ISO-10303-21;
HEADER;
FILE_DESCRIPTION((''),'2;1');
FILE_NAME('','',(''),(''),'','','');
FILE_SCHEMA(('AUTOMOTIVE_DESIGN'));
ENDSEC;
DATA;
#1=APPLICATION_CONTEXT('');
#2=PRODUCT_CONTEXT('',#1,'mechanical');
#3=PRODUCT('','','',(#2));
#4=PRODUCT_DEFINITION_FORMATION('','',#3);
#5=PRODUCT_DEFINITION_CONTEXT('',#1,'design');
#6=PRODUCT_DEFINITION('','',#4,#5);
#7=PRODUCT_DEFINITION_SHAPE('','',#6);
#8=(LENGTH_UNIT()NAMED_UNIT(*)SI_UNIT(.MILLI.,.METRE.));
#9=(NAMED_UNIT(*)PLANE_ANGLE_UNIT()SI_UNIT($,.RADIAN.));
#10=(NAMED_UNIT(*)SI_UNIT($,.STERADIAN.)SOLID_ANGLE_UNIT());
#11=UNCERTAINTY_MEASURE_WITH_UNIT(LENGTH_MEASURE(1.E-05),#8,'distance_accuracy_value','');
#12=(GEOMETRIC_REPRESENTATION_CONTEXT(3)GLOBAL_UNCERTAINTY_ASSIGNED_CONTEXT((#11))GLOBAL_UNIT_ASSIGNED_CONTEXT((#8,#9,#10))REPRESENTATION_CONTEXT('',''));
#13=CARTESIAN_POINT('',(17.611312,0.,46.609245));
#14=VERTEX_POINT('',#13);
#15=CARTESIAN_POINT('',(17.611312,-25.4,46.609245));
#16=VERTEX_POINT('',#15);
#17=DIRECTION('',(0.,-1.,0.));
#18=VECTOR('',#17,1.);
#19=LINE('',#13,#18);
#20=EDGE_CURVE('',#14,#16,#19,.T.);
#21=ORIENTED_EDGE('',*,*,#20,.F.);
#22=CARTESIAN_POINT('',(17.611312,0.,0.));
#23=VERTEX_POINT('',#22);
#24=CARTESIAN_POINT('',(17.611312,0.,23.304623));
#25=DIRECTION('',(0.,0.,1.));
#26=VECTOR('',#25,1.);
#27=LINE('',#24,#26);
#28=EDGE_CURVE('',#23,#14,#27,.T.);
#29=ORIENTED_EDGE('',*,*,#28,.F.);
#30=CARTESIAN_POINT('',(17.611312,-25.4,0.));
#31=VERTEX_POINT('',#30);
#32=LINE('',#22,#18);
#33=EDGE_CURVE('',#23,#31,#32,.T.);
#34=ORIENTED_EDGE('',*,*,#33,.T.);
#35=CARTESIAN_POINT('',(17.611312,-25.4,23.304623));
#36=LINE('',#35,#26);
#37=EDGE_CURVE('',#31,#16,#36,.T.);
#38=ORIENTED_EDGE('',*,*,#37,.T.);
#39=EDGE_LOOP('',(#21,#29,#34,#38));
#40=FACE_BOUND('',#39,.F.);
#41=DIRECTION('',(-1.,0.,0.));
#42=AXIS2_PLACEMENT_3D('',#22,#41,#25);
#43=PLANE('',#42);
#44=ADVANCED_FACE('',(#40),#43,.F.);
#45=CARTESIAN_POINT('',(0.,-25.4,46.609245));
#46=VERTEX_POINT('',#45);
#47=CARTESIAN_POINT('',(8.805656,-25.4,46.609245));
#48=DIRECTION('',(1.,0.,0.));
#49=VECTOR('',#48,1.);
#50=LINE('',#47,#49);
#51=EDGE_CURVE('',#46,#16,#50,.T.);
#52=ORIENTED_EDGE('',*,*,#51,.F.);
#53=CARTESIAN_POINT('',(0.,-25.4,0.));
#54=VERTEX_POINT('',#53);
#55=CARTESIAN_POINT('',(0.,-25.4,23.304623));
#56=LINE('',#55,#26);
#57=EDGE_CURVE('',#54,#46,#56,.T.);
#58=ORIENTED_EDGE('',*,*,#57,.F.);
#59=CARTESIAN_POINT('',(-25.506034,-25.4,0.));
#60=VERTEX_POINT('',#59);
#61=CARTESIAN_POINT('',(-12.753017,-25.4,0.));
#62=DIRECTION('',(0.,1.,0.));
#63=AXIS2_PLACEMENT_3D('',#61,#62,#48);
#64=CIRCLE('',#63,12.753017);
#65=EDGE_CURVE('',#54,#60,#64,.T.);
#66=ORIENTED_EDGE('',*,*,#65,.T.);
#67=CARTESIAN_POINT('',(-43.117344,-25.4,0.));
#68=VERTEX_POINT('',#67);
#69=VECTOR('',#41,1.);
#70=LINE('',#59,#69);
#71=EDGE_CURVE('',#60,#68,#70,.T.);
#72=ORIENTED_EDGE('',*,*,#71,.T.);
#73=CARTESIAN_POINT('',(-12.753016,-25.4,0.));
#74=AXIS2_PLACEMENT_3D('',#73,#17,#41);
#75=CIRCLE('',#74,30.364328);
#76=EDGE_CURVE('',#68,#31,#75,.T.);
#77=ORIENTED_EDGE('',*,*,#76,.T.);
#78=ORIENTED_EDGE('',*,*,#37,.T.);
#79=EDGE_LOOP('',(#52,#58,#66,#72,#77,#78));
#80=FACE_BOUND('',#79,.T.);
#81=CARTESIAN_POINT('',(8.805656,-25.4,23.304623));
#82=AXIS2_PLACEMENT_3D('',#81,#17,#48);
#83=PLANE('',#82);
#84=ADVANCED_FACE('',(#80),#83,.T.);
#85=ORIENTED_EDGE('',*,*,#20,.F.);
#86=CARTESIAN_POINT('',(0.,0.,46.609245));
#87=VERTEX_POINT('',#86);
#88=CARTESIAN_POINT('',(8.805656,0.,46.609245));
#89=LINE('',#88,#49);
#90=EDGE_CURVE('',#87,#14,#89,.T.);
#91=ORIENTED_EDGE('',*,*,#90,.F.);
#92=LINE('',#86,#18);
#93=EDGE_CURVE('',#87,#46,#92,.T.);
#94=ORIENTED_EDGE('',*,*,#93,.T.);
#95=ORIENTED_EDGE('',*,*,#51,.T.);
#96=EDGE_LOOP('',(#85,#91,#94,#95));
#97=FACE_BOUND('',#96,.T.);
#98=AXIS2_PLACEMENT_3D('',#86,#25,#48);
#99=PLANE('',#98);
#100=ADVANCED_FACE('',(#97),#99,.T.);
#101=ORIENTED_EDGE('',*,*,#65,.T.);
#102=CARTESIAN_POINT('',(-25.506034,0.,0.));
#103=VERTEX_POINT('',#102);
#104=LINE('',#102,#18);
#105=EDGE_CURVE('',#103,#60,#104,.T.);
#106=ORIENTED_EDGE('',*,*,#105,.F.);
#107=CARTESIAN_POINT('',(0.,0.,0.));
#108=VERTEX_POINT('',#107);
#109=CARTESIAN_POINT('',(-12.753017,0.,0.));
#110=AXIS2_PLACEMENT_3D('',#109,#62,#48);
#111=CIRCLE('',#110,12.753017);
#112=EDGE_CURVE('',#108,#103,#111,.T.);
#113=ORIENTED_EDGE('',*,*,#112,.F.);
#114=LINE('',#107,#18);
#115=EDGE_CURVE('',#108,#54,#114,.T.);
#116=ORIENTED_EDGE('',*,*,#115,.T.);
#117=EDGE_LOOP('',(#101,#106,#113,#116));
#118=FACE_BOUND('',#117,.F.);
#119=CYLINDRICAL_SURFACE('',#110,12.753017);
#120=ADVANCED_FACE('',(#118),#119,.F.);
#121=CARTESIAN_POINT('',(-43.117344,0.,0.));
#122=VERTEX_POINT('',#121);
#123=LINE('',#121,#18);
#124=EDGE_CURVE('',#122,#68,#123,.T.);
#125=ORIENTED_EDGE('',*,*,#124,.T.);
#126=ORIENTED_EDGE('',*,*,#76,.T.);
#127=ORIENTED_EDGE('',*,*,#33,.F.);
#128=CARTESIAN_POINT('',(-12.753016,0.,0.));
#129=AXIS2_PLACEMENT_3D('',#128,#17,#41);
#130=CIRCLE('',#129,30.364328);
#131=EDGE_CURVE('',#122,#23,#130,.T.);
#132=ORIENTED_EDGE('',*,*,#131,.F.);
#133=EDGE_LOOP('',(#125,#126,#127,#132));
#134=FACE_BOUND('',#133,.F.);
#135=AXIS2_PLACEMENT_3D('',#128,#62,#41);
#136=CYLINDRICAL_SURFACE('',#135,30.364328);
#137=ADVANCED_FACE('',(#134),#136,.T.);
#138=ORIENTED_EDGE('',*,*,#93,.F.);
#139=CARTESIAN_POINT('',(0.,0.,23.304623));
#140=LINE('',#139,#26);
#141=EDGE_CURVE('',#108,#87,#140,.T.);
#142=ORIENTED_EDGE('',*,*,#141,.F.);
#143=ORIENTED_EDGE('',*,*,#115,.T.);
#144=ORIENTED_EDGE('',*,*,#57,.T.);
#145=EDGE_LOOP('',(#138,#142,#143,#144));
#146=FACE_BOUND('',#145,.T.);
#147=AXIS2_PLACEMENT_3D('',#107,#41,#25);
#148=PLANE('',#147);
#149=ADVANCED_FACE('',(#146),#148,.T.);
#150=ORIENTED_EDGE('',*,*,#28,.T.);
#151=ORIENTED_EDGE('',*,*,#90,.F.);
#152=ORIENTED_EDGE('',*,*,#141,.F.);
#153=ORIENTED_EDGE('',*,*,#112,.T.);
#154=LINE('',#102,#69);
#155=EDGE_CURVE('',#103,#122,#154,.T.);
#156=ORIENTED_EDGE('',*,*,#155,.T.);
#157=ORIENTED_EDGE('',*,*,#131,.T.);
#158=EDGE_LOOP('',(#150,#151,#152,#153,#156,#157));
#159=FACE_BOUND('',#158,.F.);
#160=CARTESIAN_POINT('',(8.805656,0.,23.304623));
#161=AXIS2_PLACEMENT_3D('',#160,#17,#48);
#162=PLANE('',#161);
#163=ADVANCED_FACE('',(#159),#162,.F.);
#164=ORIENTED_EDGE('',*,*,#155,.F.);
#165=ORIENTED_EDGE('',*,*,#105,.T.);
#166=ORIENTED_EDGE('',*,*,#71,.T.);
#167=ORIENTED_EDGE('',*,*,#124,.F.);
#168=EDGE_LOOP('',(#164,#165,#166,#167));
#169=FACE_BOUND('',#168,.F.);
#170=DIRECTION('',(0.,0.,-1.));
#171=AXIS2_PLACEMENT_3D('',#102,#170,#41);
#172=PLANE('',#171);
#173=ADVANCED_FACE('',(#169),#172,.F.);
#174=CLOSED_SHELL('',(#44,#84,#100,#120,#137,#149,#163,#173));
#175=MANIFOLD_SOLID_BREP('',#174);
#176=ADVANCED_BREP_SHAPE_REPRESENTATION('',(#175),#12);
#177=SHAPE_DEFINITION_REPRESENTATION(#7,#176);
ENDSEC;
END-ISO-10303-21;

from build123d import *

# Parameters (mm, degrees)
F0_W     = 17.6113117486
F0_H     = 46.6092452407
F1_DEPTH = 25.4


with BuildPart() as f1:
    # F0 (on Front) → F1 (new body)
    with BuildSketch(Plane.XZ):
        with Locations((8.8056558743, 23.3046226203)):
            Rectangle(F0_W, F0_H)
        with BuildLine():
            Line((17.6113117486, 0), (0, 0))
            ThreePointArc((0, 0), (-12.7530172467, -12.7530172467), (-25.5060344934, 0))
            Line((-25.5060344934, 0), (-43.1173443794, 0))
            ThreePointArc((-43.1173443794, 0), (-12.7530163154, -30.364328064), (17.6113117486, 0))
        make_face()
    extrude(amount=F1_DEPTH)


solid = f1.part
